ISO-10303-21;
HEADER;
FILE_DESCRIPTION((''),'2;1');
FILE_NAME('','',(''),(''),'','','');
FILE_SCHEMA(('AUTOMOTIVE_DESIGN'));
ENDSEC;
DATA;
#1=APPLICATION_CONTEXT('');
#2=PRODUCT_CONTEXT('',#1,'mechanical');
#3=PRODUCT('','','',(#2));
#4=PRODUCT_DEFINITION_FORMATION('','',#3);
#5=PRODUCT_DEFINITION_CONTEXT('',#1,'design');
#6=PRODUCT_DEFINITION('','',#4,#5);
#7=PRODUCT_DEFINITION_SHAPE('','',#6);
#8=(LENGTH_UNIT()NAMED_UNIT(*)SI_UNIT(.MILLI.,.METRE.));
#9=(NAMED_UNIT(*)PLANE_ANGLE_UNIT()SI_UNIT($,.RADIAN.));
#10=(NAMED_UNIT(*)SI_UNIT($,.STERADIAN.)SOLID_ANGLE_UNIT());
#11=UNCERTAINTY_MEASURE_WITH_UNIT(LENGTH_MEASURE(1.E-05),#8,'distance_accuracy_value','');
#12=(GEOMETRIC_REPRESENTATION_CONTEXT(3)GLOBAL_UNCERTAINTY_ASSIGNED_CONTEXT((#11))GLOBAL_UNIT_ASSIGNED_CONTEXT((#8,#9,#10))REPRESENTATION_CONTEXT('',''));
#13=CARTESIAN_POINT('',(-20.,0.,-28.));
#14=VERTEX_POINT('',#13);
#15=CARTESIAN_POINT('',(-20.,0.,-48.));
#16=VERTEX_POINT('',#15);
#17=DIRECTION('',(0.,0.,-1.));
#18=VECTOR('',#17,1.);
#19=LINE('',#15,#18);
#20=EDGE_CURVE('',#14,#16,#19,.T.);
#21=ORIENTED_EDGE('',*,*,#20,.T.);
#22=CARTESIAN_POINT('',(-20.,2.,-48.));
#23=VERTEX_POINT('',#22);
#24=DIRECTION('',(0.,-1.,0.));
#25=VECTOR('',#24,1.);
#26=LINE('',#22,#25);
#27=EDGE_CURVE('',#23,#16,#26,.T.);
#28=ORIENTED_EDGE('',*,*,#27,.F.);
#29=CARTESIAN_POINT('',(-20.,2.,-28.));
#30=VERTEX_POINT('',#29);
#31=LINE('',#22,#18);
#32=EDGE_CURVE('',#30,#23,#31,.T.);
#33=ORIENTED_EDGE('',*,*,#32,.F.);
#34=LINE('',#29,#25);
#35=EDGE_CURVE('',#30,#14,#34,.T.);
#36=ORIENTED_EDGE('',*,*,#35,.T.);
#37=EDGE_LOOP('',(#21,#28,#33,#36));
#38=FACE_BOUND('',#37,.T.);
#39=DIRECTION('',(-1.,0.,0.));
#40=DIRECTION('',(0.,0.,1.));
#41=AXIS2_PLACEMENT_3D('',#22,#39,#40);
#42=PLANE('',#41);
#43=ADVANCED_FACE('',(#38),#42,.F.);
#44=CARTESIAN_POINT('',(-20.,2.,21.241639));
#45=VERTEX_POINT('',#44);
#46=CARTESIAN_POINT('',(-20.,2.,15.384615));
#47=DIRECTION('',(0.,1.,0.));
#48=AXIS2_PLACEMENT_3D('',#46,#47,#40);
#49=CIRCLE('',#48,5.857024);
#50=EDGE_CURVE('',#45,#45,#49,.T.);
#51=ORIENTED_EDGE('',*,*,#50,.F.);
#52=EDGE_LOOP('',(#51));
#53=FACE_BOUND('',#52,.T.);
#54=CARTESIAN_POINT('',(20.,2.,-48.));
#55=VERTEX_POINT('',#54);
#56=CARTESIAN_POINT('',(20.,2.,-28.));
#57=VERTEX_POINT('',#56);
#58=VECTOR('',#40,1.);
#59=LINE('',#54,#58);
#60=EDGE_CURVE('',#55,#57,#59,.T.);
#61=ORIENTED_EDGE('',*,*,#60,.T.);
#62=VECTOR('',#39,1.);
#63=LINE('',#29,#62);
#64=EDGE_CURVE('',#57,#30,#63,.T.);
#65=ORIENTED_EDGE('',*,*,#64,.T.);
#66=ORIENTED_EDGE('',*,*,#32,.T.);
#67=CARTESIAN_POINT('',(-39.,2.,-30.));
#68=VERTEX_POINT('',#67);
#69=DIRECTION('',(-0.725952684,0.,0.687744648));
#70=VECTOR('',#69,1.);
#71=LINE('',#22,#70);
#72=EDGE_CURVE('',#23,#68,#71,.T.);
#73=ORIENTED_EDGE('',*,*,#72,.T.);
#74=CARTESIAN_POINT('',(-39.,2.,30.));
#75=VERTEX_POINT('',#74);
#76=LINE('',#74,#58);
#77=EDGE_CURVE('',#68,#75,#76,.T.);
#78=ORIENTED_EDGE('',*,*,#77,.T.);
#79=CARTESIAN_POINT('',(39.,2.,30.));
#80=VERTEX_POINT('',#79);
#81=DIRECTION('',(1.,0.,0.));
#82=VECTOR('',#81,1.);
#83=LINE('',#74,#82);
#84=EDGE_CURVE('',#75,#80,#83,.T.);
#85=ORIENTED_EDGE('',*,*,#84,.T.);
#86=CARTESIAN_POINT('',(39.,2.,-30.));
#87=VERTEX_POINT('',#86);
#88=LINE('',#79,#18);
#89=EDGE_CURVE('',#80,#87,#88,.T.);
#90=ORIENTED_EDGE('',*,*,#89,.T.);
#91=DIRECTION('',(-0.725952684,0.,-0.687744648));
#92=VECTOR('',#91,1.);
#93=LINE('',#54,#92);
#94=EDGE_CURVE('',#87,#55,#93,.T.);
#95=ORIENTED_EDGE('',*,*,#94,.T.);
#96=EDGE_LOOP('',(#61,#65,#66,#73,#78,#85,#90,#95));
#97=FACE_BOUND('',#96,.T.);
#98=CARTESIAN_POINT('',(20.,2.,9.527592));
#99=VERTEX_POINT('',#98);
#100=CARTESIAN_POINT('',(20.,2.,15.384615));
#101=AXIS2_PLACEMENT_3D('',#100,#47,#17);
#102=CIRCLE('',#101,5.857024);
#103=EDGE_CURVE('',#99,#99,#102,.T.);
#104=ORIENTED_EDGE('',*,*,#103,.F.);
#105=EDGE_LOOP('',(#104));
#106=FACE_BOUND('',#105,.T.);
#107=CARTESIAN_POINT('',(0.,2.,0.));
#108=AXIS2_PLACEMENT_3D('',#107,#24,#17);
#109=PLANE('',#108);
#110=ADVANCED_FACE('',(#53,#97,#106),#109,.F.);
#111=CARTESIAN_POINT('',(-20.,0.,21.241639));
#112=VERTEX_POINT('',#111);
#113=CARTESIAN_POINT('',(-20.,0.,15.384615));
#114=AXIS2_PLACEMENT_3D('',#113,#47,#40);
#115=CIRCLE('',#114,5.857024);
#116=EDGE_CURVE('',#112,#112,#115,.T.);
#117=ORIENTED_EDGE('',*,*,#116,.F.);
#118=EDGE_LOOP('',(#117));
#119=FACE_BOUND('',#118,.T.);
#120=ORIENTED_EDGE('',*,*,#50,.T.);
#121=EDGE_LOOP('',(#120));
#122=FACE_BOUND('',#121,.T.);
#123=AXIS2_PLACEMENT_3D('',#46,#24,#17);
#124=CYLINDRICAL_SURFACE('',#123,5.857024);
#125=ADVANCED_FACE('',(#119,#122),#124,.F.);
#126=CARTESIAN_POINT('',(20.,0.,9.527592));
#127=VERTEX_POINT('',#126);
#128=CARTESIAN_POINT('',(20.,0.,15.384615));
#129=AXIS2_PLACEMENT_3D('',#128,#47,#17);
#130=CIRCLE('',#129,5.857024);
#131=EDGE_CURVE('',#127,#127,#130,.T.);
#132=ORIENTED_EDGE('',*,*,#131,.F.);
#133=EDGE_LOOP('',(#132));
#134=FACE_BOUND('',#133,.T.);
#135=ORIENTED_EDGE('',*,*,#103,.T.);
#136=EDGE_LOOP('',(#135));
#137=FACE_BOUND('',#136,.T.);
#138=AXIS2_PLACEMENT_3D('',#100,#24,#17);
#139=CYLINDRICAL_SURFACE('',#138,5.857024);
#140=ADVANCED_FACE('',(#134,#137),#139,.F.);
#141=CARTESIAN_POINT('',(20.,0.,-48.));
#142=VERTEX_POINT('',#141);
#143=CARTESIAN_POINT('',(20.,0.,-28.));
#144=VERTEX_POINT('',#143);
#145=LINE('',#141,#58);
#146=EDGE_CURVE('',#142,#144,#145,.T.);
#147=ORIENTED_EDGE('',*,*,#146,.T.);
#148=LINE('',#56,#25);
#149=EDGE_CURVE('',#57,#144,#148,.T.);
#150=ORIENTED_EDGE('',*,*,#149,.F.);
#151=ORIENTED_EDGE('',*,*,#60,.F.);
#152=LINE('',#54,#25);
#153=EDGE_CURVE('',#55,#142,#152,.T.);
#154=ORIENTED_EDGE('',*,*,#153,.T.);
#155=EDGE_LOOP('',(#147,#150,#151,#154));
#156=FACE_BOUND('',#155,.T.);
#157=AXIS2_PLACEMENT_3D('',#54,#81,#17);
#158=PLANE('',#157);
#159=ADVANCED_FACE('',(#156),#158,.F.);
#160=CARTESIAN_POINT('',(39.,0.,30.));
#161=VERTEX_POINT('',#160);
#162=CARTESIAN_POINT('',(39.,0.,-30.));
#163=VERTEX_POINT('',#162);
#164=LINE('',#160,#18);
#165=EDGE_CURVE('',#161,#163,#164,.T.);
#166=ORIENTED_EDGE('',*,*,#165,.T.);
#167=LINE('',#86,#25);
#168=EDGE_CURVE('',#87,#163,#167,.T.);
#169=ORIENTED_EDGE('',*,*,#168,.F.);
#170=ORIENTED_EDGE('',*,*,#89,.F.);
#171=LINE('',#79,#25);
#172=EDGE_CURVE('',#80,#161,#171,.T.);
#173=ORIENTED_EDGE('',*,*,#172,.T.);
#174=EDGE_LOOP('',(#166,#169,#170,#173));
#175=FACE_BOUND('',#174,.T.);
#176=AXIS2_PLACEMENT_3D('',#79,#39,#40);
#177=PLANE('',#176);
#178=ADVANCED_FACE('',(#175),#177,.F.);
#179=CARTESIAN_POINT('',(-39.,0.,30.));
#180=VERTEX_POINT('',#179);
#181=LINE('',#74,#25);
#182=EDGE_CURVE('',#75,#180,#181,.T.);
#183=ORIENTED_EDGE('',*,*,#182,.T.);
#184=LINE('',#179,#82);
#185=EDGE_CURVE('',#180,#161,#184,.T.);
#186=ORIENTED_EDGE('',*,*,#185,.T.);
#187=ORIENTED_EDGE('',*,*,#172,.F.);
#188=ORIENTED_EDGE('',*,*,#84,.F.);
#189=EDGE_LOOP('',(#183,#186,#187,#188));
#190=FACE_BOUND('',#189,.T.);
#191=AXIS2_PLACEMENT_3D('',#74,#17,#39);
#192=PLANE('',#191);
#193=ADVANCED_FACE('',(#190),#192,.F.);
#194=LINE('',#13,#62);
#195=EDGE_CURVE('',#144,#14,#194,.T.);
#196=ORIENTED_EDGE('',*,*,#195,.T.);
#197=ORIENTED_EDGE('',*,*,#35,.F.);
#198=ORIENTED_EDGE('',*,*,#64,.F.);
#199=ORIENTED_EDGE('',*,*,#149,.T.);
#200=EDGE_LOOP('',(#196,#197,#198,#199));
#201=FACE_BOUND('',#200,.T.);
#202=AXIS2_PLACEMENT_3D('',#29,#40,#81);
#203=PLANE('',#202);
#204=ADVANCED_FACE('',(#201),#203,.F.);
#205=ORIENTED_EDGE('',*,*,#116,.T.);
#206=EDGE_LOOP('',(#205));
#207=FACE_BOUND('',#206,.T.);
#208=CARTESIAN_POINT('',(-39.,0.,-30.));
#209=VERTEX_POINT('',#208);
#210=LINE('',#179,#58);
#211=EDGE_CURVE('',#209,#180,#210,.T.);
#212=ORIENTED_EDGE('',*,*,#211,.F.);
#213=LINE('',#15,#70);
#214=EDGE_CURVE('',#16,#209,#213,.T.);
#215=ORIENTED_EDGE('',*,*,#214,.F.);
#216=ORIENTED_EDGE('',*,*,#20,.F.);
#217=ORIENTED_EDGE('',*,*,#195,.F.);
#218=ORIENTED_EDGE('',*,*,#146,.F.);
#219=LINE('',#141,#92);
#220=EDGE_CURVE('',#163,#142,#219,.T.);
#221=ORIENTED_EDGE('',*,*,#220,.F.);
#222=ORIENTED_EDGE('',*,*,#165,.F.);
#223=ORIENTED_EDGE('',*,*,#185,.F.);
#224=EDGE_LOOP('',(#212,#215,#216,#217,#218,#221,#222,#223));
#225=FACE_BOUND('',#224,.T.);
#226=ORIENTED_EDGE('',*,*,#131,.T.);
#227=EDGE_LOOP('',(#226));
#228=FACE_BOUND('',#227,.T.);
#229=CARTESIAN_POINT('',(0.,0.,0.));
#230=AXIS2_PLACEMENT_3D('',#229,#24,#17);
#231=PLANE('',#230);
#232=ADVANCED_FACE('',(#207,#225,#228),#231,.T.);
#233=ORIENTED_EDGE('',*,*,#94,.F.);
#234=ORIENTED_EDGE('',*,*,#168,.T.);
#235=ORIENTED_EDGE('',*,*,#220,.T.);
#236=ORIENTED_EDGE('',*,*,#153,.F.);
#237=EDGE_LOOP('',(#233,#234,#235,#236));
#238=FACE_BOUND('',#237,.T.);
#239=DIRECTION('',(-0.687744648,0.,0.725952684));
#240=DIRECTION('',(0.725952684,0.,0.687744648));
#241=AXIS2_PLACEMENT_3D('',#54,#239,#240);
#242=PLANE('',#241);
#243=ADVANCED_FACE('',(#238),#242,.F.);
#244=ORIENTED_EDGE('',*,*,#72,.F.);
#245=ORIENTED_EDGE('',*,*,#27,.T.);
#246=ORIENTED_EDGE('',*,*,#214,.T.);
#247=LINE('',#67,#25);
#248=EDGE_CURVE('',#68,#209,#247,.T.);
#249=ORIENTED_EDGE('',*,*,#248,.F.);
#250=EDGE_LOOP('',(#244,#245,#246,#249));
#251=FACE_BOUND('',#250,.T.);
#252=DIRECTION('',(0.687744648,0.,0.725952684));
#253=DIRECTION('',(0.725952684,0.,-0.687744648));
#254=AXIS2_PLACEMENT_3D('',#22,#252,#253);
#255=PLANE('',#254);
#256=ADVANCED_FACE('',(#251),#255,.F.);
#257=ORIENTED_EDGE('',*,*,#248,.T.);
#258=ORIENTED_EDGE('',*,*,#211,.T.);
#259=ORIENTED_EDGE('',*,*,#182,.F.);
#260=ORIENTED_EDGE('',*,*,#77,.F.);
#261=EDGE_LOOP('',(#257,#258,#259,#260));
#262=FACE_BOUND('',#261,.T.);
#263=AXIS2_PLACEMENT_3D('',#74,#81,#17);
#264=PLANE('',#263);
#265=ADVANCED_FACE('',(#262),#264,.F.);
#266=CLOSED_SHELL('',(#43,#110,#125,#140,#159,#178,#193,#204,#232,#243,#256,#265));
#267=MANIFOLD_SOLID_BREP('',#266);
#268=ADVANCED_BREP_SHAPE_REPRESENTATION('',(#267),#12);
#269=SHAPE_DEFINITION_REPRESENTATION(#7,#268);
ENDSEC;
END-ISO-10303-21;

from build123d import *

# Parameters (mm, degrees)
ESBO_O1_R                = 5.857023813
RESSALTO_EXTRUS_O1_DEPTH = 2


with BuildPart() as part:
    # Esboço1 → Ressalto-extrusão1 (new body)
    with BuildSketch(Plane(origin=(0, 0, 0), x_dir=(1, 0, 0), z_dir=(0, 1, 0))):
        Polygon((-20, 48), (-39, 30), (-39, -30), (39, -30), (39, 30), (20, 48), (20, 28), (-20, 28), align=None)
        with Locations(Location((-20, -15.384615385, 0), (0, 0, 270))):
            Circle(ESBO_O1_R, mode=Mode.SUBTRACT)
        with Locations(Location((20, -15.384615385, 0), (0, 0, 90))):
            Circle(ESBO_O1_R, mode=Mode.SUBTRACT)
    extrude(amount=RESSALTO_EXTRUS_O1_DEPTH)


solid = part.part
